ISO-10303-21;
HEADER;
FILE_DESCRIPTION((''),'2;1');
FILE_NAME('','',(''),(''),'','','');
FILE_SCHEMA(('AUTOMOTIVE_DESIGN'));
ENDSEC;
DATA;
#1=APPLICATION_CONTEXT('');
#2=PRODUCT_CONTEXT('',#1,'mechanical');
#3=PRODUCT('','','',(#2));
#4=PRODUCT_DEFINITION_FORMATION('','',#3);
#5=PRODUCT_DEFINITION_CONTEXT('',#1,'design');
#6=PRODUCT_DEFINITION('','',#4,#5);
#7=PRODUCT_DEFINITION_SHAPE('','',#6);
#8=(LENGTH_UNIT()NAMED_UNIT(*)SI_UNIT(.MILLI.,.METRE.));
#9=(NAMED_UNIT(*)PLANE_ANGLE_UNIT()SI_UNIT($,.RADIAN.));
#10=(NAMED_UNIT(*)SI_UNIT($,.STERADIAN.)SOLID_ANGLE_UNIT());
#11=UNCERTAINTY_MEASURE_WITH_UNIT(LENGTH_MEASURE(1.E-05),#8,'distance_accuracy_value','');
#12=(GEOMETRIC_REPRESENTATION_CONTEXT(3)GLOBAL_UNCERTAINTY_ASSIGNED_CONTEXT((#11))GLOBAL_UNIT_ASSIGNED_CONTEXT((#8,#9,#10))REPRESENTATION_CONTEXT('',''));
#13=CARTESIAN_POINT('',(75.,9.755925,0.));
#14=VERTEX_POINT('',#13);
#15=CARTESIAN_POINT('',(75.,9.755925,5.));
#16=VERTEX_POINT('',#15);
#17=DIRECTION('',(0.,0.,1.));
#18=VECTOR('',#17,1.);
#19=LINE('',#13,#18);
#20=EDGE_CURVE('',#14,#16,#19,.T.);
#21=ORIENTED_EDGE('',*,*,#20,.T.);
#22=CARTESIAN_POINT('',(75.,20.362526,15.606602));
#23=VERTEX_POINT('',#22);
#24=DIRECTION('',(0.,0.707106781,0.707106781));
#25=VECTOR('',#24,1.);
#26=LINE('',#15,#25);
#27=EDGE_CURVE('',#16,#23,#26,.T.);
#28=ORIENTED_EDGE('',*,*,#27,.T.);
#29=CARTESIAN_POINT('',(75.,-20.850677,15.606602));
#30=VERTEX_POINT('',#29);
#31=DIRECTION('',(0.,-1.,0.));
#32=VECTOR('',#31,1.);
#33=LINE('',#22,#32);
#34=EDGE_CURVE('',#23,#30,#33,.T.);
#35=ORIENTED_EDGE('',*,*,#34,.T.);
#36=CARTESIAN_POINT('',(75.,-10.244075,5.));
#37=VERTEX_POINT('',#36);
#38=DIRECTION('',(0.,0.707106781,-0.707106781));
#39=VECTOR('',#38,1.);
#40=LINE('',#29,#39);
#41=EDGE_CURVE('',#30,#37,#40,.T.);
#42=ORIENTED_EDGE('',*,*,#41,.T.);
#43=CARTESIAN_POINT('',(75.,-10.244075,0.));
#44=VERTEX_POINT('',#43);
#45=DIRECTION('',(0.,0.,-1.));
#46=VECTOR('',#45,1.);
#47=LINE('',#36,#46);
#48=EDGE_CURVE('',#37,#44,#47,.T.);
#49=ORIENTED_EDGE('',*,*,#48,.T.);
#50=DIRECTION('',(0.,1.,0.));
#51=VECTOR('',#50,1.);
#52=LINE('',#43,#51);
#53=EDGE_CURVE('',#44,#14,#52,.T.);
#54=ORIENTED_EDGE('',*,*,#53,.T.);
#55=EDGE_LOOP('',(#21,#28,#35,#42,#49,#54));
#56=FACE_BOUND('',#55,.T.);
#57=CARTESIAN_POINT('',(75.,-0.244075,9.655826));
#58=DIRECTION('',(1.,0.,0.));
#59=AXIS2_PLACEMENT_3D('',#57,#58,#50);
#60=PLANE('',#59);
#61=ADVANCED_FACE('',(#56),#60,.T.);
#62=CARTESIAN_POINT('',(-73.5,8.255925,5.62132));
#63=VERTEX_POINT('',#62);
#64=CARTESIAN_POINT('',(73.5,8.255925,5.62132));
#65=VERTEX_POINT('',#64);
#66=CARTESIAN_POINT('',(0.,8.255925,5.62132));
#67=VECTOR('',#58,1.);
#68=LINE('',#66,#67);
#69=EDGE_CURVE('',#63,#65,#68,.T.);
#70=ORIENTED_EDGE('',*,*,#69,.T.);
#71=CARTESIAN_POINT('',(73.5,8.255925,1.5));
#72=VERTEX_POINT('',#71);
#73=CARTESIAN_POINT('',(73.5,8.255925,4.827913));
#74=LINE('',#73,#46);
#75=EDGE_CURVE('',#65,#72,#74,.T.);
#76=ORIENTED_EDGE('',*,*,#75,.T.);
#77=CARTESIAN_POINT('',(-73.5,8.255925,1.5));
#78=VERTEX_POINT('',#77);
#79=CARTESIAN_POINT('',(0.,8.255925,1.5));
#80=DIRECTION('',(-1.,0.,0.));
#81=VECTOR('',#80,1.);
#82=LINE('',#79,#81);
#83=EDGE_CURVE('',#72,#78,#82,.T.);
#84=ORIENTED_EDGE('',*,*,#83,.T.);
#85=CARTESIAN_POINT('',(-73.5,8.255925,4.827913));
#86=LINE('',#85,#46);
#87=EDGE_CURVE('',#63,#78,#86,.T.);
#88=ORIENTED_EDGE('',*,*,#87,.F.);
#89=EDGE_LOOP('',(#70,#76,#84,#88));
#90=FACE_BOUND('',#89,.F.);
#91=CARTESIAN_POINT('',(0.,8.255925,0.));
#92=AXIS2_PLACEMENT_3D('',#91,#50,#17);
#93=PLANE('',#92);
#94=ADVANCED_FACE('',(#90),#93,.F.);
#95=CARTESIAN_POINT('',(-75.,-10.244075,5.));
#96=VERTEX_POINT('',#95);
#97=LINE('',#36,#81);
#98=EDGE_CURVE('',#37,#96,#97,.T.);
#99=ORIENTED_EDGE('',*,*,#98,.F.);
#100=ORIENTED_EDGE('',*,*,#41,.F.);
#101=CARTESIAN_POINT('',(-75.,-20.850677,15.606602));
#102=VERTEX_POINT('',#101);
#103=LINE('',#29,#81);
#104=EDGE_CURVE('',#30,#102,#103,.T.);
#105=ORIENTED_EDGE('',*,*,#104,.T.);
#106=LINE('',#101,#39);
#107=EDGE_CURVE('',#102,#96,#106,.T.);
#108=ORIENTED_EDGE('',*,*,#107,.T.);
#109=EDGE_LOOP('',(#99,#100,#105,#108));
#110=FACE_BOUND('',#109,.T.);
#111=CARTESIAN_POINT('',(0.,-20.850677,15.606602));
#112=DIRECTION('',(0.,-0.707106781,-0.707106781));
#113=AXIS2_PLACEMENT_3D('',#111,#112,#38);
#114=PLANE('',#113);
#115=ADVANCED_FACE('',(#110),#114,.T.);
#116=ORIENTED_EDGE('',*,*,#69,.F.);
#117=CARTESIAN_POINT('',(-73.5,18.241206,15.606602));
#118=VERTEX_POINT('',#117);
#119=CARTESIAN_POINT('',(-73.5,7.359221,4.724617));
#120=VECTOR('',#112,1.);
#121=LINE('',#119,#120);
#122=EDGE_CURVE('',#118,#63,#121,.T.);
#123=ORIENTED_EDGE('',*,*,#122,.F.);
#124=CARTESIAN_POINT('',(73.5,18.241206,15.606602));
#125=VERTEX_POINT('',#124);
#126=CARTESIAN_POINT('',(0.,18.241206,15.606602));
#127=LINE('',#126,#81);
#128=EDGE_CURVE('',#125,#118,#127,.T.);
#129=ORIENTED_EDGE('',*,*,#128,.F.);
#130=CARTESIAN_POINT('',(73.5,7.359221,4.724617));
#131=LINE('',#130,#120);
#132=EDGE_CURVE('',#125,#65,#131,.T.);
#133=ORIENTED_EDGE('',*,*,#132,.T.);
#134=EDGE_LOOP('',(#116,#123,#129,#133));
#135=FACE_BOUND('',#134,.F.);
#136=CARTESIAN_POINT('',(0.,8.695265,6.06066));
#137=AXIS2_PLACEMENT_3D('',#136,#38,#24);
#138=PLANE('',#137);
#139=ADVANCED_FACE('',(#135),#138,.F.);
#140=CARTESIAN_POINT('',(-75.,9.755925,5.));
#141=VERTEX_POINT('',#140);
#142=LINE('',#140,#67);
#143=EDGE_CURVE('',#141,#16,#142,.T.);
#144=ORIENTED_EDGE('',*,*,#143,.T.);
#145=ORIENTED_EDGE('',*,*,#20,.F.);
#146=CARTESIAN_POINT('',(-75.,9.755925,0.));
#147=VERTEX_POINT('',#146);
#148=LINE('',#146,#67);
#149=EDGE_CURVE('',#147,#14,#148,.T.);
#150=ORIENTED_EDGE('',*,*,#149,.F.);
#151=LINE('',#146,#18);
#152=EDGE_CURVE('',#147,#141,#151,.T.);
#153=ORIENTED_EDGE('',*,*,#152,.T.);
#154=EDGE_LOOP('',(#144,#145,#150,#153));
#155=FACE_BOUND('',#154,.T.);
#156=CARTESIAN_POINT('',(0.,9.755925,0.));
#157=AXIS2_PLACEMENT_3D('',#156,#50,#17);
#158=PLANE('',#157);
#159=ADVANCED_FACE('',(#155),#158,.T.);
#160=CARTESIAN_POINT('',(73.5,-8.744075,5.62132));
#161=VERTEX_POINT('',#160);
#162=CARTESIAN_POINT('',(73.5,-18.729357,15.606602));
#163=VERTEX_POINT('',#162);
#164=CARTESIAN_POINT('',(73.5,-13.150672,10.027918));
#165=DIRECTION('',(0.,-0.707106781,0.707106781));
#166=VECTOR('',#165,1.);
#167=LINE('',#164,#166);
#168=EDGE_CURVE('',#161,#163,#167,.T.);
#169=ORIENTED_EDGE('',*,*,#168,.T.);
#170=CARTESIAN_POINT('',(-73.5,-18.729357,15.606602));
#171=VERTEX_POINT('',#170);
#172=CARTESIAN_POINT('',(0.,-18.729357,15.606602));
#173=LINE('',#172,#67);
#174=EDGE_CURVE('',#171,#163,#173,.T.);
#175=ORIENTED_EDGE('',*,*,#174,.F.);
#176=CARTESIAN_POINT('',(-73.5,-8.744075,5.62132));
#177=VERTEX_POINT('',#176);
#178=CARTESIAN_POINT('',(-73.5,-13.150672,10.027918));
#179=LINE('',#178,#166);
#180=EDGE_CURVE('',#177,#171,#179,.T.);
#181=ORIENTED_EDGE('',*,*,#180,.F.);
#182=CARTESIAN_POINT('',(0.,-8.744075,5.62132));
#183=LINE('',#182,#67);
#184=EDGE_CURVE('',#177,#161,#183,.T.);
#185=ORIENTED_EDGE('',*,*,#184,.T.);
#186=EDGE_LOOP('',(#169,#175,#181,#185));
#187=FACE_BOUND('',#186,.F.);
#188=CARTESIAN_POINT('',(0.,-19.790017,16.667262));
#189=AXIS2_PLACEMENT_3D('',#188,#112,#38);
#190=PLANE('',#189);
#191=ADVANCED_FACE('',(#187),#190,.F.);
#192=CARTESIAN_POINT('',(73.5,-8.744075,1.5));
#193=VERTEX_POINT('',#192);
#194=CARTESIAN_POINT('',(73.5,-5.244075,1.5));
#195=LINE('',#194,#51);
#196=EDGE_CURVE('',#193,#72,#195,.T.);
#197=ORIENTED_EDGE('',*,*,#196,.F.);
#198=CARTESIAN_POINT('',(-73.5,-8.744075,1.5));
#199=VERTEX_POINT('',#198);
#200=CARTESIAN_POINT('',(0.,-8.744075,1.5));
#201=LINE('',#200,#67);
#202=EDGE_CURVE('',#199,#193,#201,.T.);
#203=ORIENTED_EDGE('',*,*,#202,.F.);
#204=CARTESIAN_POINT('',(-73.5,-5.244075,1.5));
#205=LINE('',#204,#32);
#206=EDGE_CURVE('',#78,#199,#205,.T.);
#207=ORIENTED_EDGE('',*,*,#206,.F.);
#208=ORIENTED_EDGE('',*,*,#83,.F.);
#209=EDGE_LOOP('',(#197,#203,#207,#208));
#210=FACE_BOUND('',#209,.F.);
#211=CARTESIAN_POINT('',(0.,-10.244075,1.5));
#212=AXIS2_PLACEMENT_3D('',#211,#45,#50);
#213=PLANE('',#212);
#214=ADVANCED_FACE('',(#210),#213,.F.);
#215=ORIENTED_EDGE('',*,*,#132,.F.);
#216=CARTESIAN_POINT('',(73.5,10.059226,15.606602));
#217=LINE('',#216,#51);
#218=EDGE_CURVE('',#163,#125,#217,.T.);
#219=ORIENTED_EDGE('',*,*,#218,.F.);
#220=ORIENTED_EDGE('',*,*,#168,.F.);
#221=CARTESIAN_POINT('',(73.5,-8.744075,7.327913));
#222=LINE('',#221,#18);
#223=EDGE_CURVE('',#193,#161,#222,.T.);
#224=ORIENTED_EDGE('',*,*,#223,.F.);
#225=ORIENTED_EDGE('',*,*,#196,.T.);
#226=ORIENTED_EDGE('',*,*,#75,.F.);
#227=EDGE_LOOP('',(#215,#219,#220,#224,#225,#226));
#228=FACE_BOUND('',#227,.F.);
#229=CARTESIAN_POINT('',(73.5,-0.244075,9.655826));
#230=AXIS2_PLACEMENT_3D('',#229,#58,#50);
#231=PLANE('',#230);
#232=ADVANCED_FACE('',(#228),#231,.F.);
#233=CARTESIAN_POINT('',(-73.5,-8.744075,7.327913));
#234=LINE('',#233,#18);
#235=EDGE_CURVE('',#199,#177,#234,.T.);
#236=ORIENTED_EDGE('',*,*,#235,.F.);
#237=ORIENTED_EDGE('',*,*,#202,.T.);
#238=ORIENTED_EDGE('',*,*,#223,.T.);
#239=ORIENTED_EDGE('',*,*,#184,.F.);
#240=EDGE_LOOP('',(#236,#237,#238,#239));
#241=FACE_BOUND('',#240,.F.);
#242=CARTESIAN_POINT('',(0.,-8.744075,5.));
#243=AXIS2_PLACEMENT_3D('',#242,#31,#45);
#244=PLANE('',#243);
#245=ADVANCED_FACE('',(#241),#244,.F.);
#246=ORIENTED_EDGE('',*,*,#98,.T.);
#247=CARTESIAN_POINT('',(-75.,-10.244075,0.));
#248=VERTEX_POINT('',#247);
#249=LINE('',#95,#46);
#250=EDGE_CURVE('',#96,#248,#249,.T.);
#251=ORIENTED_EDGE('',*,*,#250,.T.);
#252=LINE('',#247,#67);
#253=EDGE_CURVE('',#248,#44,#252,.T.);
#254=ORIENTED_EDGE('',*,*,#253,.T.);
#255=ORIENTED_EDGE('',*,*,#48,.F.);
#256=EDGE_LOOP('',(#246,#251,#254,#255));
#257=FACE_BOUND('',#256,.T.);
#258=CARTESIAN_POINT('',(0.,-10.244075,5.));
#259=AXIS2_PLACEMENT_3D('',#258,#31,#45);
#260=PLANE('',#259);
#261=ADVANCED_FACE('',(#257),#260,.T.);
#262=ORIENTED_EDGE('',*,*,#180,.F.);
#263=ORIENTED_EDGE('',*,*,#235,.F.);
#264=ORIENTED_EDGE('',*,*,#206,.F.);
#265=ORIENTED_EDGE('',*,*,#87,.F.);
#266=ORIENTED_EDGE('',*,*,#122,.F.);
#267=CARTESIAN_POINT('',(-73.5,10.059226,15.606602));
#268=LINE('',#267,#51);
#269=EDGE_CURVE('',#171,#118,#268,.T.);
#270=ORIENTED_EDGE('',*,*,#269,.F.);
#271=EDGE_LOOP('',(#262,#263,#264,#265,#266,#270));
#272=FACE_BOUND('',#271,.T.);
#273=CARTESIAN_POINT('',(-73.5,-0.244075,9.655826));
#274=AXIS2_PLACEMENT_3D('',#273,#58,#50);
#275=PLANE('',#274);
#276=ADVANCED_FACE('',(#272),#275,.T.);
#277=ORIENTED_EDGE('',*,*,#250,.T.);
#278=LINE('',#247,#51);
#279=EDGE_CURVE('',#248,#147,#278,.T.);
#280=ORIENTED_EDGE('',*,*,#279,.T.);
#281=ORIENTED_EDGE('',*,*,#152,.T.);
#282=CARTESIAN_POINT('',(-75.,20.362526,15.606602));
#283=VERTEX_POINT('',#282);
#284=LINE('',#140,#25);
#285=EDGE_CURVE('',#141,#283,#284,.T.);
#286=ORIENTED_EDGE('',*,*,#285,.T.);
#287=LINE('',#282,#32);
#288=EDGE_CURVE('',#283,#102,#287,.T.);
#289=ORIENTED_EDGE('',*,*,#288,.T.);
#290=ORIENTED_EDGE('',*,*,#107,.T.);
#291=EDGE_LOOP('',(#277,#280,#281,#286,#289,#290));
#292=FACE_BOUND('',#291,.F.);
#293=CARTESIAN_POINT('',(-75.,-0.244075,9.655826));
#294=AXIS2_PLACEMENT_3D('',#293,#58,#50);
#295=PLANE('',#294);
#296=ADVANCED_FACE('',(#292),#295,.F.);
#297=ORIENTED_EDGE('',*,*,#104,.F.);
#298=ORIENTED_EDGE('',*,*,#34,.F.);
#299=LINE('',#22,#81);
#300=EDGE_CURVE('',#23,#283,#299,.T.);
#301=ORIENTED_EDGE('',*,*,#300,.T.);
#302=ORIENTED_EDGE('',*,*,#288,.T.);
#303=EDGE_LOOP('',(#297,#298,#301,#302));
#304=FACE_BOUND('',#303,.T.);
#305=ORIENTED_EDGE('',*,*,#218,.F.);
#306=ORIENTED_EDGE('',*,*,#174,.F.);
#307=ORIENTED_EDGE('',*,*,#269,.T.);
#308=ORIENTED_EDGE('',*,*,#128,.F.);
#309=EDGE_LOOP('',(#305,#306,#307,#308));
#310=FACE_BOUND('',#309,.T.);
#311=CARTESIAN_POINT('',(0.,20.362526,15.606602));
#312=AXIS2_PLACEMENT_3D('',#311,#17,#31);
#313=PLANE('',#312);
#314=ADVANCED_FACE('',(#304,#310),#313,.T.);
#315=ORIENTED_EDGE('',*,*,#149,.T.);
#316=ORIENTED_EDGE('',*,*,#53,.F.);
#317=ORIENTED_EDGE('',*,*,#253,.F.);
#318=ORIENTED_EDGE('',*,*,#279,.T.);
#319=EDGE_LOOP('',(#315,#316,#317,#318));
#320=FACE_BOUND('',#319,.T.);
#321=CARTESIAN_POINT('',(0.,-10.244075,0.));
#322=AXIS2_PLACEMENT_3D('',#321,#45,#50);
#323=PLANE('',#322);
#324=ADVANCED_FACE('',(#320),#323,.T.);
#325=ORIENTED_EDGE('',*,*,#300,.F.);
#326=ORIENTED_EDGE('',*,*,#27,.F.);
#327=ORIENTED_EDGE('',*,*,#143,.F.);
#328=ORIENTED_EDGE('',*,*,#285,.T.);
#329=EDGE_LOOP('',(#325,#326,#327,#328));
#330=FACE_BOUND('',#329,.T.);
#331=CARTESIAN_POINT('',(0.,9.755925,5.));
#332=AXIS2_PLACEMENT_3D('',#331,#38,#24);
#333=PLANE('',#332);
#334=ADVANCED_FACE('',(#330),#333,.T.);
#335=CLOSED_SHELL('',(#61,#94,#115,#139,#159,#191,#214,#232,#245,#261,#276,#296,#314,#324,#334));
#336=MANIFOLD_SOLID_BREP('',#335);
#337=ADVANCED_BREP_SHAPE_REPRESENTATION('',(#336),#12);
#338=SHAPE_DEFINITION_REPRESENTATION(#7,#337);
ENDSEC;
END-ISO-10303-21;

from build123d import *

# Parameters (mm, degrees)
F1_DEPTH = 75
F2_T     = -1.5


with BuildPart() as f1:
    # F0 (on Right) → F1 (new body, symmetric)
    with BuildSketch(Plane.YZ):
        Polygon((-10.2440752586, 5), (-10.2440752586, 0), (9.7559247414, 0), (9.7559247414, 5), (20.3625264592, 15.6066017178), (-20.8506769764, 15.6066017178), align=None)
    extrude(amount=F1_DEPTH, both=True)

    # F2
    f2_openings = [f1.faces().sort_by_distance(p)[0] for p in [
        (0, -0.244075, 15.606602),
    ]]
    offset(amount=F2_T, openings=f2_openings, kind=Kind.INTERSECTION)


solid = f1.part
